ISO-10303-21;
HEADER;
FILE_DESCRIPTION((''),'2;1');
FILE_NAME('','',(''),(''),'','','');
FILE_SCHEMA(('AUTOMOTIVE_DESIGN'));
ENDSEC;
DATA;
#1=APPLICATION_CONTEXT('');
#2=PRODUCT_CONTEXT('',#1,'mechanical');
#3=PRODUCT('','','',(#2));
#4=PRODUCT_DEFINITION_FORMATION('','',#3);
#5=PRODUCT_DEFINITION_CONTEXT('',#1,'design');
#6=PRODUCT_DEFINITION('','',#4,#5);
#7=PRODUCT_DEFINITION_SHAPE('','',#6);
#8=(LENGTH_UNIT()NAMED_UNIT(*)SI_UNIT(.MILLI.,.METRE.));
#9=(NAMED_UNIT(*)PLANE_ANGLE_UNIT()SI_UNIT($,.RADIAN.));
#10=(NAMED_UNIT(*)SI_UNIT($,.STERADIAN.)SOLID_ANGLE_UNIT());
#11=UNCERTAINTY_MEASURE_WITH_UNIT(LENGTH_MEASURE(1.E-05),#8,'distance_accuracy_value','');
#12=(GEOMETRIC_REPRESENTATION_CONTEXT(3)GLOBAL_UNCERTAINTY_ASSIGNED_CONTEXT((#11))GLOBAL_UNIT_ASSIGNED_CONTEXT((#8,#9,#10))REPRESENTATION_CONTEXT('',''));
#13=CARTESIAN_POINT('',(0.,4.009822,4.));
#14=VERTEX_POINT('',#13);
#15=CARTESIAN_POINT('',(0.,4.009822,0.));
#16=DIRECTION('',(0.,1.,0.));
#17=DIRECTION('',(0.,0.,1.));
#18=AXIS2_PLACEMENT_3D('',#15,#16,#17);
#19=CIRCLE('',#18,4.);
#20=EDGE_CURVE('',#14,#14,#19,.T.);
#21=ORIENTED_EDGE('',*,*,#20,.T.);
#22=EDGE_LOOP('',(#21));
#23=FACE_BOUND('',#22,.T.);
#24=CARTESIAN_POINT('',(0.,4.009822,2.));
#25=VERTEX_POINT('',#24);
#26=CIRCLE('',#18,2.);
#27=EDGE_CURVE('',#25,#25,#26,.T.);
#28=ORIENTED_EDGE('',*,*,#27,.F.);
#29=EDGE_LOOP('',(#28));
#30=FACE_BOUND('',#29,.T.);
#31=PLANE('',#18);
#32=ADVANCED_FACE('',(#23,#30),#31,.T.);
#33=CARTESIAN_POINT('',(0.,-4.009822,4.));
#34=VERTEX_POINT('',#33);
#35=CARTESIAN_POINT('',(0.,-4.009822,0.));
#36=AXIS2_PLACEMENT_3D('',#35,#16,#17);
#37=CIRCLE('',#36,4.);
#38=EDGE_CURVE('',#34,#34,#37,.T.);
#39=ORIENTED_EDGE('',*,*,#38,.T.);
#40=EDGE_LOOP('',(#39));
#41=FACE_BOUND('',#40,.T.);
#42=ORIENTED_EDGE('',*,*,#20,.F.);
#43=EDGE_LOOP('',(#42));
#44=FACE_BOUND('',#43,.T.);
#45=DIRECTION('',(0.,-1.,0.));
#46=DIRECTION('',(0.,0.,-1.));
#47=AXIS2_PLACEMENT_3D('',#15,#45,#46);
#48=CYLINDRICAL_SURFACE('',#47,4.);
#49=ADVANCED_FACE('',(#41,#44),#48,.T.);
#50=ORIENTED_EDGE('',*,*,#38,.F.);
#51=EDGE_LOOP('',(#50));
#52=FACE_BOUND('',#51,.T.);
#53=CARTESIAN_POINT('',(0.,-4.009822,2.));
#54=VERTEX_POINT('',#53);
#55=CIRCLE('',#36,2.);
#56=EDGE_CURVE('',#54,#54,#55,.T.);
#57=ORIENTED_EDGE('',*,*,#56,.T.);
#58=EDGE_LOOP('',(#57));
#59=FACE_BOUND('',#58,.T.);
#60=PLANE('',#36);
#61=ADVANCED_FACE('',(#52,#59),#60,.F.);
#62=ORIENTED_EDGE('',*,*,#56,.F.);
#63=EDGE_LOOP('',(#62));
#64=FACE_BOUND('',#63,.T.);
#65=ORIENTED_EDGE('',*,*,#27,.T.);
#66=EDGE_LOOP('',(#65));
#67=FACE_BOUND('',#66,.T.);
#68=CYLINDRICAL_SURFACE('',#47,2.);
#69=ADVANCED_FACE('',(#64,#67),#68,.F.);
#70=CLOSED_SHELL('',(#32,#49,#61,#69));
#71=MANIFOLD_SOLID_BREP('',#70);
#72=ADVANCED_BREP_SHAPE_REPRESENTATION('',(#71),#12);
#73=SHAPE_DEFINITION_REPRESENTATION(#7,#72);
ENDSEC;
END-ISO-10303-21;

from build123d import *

# Parameters (mm, degrees)
ESQUISSE1_R        = 4
ESQUISSE1_R_2      = 2
BOSS_EXTRU_1_DEPTH = 4.00982222


with BuildPart() as part:
    # Esquisse1 → Boss.-Extru.1 (new, symmetric)
    with BuildSketch(Plane(origin=(0, 0, 0), x_dir=(1, 0, 0), z_dir=(0, 1, 0))):
        with Locations(Location((0, 0, 0), (0, 0, 270))):
            Circle(ESQUISSE1_R)
        with Locations(Location((0, 0, 0), (0, 0, 270))):
            Circle(ESQUISSE1_R_2, mode=Mode.SUBTRACT)
    extrude(amount=BOSS_EXTRU_1_DEPTH, both=True)


solid = part.part
